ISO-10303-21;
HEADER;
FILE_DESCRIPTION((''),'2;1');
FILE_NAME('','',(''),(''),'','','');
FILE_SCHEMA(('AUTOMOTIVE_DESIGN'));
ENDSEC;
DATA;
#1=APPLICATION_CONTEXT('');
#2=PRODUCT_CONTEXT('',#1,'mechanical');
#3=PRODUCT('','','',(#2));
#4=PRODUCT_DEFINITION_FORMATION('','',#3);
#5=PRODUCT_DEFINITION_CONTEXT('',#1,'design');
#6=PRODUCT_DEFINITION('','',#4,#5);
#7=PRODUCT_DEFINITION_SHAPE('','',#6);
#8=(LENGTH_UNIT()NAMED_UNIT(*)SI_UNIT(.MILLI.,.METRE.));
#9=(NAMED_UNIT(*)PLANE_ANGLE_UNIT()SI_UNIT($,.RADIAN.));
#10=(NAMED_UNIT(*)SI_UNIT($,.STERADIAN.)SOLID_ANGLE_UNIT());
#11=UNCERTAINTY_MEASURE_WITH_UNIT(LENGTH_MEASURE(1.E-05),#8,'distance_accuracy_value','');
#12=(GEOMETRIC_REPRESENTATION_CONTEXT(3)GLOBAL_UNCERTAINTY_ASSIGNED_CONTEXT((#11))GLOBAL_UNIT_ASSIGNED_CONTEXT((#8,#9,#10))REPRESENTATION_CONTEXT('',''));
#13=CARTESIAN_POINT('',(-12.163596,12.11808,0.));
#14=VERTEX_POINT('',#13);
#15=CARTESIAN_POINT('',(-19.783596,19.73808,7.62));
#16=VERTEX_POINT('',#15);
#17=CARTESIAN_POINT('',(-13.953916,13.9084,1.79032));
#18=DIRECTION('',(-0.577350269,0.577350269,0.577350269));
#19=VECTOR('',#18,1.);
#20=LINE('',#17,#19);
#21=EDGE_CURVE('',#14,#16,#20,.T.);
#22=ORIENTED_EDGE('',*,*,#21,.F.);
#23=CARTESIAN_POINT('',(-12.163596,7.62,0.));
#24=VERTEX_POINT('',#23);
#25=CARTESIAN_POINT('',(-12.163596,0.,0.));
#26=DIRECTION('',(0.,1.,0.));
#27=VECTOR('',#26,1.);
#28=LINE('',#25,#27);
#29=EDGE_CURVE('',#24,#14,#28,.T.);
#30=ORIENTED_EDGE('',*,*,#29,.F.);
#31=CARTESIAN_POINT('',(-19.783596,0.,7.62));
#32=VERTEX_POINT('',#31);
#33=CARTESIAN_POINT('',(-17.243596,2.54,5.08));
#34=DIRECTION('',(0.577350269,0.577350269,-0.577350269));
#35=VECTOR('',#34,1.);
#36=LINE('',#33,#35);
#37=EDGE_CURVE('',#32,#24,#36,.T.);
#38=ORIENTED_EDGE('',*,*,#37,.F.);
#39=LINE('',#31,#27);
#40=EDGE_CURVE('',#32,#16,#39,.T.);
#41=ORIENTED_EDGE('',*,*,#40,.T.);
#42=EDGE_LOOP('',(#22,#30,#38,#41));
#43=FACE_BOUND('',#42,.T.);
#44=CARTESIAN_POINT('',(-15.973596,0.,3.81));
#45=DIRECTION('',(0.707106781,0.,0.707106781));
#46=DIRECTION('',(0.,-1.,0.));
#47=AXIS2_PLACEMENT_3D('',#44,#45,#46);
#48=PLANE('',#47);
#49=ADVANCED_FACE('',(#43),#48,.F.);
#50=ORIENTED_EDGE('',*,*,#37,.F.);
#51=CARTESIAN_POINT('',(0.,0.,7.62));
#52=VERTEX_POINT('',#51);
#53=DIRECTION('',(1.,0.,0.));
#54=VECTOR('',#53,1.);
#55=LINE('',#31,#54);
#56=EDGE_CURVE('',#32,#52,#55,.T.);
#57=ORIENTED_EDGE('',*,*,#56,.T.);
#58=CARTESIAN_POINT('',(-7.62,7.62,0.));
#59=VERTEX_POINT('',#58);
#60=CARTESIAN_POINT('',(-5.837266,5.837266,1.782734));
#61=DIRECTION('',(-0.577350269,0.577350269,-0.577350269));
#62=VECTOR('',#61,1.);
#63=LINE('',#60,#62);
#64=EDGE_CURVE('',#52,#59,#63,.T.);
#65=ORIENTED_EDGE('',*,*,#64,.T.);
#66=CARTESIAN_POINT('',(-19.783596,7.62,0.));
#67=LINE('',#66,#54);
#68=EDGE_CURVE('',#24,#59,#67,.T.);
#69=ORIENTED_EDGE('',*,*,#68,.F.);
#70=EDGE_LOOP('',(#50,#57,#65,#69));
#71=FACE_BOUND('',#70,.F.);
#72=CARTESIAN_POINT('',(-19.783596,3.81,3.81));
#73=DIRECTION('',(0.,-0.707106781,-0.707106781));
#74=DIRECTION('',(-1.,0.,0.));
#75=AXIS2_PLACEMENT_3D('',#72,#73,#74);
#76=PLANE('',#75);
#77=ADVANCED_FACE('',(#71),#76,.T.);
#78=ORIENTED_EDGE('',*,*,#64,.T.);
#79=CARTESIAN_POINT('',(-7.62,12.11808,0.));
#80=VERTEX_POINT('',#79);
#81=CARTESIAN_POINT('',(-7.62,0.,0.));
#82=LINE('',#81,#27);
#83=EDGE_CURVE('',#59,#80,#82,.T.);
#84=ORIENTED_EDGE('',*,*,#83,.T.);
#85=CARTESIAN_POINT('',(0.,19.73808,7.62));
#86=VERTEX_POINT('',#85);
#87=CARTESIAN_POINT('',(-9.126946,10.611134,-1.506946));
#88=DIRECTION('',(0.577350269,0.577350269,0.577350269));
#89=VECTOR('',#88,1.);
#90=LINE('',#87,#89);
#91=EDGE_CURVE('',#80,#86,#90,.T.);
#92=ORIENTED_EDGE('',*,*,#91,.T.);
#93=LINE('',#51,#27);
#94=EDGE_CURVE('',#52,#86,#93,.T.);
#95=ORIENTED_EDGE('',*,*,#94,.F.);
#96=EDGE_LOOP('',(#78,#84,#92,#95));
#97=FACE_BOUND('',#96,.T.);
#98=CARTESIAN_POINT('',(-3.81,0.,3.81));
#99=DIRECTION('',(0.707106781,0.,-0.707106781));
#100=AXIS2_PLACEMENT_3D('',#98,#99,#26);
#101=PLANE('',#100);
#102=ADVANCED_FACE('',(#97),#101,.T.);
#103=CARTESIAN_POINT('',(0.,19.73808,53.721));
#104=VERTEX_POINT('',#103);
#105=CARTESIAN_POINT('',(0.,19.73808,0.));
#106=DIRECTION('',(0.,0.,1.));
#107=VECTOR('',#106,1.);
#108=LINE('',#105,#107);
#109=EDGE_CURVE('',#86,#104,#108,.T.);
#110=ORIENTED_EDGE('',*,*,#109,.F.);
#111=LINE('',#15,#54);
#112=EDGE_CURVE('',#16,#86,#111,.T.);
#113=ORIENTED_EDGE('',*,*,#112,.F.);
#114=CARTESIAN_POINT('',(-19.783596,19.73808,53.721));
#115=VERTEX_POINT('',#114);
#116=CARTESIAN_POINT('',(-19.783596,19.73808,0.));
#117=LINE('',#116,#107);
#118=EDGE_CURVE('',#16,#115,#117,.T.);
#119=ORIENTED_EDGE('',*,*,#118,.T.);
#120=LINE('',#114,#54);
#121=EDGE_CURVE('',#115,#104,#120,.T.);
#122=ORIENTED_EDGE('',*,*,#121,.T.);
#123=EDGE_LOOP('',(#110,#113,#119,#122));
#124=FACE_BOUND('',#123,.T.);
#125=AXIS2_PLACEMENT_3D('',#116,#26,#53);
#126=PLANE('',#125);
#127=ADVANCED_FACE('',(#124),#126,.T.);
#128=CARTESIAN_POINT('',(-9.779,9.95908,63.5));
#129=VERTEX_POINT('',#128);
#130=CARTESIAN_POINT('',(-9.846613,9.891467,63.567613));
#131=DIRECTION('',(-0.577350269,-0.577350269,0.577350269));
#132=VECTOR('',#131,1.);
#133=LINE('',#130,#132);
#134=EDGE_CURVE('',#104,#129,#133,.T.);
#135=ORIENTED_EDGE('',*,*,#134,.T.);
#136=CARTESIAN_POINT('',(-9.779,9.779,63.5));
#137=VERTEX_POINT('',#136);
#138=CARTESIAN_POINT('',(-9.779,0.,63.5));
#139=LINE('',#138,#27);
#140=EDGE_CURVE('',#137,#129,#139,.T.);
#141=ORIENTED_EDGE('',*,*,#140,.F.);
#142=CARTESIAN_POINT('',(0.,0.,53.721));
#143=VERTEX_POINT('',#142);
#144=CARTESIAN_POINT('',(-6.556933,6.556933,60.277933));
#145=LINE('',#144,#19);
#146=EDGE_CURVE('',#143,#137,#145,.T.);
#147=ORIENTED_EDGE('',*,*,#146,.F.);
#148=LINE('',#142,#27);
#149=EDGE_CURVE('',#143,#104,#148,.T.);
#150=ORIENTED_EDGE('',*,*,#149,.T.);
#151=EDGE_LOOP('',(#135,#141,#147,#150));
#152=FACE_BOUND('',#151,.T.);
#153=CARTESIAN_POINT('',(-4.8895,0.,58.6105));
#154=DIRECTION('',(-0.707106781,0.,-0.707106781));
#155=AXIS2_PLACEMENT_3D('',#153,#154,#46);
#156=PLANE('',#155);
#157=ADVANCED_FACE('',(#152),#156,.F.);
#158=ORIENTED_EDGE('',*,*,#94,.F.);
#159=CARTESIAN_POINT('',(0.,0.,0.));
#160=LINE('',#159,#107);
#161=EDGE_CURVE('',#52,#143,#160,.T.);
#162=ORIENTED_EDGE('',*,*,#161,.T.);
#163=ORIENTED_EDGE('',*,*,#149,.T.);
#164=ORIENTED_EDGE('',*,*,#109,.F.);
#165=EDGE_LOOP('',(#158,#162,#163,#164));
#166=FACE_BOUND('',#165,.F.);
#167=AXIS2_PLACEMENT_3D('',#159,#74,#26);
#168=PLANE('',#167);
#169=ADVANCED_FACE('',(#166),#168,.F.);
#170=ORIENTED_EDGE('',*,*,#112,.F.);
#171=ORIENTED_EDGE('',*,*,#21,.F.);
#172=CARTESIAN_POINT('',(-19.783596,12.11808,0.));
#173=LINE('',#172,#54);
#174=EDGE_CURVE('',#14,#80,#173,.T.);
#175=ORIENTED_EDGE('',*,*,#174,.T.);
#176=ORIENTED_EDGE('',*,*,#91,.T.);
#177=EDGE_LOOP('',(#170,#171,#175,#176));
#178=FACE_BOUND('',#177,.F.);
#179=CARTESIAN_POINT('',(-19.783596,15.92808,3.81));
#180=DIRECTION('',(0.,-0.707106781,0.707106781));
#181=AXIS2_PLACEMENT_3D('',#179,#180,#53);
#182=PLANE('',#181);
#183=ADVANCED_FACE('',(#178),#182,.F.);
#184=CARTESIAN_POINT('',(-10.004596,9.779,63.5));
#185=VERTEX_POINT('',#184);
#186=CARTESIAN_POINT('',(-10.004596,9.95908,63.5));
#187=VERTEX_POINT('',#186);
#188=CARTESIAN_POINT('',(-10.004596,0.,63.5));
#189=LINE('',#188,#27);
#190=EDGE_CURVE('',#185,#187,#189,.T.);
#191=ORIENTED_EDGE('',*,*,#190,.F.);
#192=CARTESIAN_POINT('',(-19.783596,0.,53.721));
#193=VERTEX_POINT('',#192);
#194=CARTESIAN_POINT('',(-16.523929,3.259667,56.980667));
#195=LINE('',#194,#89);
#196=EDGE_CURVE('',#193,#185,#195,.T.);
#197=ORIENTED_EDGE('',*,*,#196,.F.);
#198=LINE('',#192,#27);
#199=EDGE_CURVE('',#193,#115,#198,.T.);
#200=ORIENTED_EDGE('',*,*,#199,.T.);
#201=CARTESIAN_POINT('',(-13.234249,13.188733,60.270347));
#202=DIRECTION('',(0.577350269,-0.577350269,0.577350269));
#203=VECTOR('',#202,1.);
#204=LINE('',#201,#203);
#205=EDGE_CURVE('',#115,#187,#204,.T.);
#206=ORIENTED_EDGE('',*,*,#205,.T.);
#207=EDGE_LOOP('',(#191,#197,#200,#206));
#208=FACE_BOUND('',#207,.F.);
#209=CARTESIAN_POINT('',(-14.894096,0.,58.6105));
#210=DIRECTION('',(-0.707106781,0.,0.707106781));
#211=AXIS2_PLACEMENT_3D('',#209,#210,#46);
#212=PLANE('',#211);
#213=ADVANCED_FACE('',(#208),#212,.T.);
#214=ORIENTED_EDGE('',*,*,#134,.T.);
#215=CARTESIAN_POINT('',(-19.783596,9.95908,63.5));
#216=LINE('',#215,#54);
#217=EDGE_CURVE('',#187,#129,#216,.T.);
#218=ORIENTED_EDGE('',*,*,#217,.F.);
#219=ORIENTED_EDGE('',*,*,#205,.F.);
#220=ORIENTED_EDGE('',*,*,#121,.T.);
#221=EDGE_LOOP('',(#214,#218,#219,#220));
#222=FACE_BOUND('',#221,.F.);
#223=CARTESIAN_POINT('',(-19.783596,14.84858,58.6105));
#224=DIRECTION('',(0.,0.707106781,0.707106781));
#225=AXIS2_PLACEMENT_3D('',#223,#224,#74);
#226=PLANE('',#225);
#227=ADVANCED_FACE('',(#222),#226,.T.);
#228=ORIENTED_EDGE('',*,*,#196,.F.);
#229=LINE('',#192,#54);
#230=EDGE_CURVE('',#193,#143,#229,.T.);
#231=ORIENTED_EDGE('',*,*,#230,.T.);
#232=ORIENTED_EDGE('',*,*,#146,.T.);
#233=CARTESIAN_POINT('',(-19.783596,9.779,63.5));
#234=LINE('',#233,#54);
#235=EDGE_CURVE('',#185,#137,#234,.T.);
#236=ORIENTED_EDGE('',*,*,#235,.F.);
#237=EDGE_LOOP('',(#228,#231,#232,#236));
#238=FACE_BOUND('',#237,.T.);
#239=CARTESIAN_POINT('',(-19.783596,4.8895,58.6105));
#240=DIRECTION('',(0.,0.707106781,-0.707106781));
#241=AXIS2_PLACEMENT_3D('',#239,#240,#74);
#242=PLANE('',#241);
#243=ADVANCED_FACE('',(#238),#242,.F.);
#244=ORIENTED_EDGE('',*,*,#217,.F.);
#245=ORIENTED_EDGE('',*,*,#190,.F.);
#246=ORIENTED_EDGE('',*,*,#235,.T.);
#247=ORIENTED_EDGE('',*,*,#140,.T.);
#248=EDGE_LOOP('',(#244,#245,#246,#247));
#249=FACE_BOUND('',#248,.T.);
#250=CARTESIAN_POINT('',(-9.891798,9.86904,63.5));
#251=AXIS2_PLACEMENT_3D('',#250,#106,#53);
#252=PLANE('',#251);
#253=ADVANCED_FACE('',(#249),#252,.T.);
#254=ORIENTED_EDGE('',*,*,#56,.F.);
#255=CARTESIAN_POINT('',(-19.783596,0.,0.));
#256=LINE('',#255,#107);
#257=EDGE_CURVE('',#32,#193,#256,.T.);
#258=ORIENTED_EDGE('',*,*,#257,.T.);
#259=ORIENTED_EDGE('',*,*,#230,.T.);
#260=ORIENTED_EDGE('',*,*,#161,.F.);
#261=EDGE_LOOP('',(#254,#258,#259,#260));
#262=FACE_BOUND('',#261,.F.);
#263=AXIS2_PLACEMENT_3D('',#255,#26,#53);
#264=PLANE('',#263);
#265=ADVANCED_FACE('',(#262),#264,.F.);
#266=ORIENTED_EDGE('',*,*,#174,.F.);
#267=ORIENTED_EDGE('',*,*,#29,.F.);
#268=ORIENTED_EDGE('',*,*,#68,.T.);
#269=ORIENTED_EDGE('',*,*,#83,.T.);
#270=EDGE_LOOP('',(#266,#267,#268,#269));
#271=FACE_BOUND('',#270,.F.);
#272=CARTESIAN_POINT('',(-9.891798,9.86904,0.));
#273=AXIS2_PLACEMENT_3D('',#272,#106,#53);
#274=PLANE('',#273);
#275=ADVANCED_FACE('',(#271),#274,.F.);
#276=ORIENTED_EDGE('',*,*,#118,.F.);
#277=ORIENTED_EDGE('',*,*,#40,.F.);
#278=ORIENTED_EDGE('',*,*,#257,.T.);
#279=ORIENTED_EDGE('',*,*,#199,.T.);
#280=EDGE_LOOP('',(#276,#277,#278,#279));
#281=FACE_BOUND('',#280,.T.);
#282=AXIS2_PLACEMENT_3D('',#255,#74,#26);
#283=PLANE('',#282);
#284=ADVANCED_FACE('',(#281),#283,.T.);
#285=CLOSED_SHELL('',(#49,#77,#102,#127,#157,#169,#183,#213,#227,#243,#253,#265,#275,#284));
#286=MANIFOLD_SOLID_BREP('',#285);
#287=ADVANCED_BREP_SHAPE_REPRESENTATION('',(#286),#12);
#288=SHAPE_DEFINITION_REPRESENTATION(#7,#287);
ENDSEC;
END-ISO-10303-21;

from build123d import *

# Parameters (mm, degrees)
F0_W     = 19.783596
F0_H     = 19.73808
F1_DEPTH = 63.5
F2_SIZE  = 9.779
F3_SIZE  = 7.62


with BuildPart() as f1:
    # F0 (on Top) → F1 (new body)
    with BuildSketch(Plane.XY):
        with Locations((-9.891798, 9.86904)):
            Rectangle(F0_W, F0_H)
    extrude(amount=F1_DEPTH)

    # F2
    f2_edges = [f1.edges().sort_by_distance(p)[0] for p in [
        (-9.891798, 0, 63.5),
        (0, 9.86904, 63.5),
        (-9.891798, 19.73808, 63.5),
        (-19.783596, 9.86904, 63.5),
    ]]
    chamfer(f2_edges, length=F2_SIZE)

    # F3
    f3_edges = [f1.edges().sort_by_distance(p)[0] for p in [
        (-9.891798, 0, 0),
        (0, 9.86904, 0),
        (-9.891798, 19.73808, 0),
        (-19.783596, 9.86904, 0),
    ]]
    chamfer(f3_edges, length=F3_SIZE)


solid = f1.part
